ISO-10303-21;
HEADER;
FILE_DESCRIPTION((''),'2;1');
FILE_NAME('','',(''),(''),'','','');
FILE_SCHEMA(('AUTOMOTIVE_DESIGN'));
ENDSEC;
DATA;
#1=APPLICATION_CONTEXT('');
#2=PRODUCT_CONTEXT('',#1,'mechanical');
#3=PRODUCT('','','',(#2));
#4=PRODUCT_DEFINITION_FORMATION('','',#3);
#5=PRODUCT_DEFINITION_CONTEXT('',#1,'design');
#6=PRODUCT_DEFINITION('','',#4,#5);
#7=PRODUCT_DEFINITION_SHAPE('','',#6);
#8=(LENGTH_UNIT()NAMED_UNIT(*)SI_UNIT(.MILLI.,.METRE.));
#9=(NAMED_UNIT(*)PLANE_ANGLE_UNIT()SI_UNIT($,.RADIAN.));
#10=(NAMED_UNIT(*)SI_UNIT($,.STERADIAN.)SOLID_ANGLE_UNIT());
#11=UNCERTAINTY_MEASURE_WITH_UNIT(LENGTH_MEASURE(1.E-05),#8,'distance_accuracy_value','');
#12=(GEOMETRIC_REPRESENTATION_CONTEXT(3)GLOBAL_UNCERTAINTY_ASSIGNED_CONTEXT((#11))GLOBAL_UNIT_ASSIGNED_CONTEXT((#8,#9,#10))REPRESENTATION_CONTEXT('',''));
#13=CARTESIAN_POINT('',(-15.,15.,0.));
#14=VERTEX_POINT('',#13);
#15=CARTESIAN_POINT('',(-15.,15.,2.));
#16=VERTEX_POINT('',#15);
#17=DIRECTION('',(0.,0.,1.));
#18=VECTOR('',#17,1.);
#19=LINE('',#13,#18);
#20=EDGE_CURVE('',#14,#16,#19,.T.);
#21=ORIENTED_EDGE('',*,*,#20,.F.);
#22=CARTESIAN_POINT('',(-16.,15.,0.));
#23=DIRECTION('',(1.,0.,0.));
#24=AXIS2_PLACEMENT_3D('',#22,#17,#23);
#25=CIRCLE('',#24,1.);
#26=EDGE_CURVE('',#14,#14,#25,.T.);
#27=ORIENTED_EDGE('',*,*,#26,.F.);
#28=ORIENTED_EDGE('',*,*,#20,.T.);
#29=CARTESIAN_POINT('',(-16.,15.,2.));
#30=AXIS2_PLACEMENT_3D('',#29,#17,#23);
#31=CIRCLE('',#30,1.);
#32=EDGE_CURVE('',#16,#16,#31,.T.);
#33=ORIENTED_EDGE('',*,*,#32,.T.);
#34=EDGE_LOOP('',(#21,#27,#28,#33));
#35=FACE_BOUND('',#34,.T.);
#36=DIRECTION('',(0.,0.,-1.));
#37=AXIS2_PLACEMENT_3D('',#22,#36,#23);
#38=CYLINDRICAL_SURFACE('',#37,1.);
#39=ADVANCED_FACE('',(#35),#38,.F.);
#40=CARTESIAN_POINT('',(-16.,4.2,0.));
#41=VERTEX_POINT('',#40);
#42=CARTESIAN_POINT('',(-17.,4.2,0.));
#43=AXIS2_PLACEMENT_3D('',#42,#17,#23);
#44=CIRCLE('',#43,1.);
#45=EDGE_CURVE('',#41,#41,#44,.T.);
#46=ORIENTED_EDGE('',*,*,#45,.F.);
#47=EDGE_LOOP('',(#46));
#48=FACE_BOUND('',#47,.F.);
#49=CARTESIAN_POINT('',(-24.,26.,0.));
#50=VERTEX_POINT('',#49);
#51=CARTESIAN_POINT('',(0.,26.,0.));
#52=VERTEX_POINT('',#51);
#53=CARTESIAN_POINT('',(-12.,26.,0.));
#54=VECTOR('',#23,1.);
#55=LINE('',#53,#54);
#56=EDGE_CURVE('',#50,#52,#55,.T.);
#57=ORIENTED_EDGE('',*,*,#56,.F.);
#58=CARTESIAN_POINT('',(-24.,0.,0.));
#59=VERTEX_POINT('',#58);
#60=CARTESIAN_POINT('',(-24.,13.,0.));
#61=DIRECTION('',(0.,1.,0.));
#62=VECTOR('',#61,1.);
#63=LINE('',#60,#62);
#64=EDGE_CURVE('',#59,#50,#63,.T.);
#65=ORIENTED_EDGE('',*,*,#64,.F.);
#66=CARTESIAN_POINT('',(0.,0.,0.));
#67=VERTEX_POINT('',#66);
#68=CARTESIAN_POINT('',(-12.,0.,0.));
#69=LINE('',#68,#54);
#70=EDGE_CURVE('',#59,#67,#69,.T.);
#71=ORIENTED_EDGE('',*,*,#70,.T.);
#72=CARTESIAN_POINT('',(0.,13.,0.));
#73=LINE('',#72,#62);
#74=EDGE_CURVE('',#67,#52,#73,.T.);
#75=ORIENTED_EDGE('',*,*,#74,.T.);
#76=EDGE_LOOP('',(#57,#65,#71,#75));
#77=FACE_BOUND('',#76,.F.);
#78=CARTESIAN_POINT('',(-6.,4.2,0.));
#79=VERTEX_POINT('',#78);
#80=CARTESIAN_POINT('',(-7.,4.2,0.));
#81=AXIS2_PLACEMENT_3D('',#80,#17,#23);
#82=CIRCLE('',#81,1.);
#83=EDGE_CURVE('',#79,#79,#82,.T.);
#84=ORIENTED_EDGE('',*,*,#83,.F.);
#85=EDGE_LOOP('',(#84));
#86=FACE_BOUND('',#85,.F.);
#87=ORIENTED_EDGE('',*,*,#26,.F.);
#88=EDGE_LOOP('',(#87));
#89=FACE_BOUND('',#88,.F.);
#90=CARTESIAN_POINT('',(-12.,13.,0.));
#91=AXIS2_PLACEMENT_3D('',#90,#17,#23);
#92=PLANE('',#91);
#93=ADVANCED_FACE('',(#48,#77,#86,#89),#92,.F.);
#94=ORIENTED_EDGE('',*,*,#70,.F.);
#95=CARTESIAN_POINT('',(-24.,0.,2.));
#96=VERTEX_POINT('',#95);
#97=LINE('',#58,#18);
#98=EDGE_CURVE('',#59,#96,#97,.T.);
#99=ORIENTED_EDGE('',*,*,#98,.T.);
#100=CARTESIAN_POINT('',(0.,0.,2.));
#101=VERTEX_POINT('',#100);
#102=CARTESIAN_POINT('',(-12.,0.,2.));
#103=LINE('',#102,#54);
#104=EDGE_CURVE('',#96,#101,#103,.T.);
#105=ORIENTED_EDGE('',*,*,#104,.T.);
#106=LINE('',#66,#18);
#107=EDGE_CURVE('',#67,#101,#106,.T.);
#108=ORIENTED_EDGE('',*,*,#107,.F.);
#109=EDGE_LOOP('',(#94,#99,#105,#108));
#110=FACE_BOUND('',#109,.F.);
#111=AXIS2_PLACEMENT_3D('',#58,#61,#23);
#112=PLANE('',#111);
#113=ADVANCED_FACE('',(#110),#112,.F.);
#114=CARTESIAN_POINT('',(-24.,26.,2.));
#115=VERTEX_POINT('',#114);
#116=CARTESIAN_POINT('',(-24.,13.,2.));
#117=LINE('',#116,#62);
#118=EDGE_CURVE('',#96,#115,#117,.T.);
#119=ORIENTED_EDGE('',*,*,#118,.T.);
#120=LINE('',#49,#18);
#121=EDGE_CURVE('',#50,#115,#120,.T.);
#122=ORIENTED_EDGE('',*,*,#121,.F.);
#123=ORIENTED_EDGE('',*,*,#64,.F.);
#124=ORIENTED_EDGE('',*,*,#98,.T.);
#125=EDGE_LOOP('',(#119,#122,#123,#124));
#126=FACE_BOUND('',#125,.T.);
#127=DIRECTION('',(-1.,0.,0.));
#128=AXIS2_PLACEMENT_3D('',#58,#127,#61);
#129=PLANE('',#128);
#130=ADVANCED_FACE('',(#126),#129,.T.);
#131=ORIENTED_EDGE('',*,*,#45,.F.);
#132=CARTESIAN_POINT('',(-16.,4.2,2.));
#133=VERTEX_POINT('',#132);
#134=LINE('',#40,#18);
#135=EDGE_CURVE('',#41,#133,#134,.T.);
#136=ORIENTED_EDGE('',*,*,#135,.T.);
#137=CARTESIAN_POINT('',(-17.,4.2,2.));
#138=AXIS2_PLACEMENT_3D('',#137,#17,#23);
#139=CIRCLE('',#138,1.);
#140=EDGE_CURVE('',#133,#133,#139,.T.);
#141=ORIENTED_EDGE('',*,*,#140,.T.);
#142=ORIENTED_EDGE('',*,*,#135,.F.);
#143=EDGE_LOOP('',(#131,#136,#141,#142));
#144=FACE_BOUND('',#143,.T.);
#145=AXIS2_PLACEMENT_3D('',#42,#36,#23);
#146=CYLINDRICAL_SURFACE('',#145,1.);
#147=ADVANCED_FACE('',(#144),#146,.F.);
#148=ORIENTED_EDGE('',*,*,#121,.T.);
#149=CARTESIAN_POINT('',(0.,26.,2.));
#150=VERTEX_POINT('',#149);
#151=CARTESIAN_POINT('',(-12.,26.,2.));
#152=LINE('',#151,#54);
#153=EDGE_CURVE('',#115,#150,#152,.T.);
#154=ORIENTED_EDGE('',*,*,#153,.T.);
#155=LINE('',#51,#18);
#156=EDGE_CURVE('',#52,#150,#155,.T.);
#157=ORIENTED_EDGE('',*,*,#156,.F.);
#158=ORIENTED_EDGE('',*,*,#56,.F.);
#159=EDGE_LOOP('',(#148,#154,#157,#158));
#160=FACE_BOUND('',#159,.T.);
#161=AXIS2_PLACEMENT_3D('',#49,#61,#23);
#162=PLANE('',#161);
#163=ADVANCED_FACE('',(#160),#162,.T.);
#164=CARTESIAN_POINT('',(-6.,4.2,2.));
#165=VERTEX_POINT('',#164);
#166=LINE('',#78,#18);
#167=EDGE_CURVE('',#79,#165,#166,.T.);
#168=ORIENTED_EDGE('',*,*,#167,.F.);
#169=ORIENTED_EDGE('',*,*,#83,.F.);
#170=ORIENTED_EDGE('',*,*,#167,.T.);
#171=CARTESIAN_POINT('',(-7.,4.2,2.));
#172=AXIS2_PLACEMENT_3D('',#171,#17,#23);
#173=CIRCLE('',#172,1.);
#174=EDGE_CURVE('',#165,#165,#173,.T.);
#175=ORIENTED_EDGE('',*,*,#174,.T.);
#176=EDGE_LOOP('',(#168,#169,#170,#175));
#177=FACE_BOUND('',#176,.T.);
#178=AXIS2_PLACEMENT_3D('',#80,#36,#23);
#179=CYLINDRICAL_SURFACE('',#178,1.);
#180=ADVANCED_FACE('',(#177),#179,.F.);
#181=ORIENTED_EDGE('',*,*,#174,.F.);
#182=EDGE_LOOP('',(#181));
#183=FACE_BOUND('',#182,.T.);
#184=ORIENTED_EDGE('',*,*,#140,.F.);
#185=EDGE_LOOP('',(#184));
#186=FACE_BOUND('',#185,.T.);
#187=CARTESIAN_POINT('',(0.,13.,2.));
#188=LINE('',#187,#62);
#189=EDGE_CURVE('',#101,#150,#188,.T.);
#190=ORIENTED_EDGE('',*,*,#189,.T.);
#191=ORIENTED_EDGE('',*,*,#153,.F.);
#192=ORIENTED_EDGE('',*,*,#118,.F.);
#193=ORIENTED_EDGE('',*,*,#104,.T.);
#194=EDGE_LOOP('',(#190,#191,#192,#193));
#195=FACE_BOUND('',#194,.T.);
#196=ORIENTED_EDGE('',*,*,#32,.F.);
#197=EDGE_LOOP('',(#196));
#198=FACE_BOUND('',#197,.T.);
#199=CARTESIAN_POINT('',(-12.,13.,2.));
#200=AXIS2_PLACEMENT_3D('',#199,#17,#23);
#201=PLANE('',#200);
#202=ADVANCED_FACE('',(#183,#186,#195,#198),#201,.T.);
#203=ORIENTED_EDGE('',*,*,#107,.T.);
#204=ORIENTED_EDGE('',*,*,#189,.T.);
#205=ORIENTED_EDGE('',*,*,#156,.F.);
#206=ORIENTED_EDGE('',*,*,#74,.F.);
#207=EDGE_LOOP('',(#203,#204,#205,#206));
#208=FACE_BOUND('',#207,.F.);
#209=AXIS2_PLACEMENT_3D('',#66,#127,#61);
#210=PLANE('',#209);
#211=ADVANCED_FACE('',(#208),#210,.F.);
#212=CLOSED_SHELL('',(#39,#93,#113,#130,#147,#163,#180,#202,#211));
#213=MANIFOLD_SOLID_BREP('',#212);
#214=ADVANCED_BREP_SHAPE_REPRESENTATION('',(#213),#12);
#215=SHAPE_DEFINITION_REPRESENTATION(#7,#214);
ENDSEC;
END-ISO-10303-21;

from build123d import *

# Parameters (mm, degrees)
F0_W     = 24
F0_H     = 26
F0_R     = 1
F1_DEPTH = 2


with BuildPart() as f1:
    # F0 (on Top) → F1 (new body)
    with BuildSketch(Plane.XY):
        with Locations((-12, 13)):
            Rectangle(F0_W, F0_H)
        with Locations((-17, 4.2)):
            Circle(F0_R, mode=Mode.SUBTRACT)
        with Locations((-7, 4.2)):
            Circle(F0_R, mode=Mode.SUBTRACT)
        with Locations((-16, 15)):
            Circle(F0_R, mode=Mode.SUBTRACT)
    extrude(amount=F1_DEPTH)


solid = f1.part
